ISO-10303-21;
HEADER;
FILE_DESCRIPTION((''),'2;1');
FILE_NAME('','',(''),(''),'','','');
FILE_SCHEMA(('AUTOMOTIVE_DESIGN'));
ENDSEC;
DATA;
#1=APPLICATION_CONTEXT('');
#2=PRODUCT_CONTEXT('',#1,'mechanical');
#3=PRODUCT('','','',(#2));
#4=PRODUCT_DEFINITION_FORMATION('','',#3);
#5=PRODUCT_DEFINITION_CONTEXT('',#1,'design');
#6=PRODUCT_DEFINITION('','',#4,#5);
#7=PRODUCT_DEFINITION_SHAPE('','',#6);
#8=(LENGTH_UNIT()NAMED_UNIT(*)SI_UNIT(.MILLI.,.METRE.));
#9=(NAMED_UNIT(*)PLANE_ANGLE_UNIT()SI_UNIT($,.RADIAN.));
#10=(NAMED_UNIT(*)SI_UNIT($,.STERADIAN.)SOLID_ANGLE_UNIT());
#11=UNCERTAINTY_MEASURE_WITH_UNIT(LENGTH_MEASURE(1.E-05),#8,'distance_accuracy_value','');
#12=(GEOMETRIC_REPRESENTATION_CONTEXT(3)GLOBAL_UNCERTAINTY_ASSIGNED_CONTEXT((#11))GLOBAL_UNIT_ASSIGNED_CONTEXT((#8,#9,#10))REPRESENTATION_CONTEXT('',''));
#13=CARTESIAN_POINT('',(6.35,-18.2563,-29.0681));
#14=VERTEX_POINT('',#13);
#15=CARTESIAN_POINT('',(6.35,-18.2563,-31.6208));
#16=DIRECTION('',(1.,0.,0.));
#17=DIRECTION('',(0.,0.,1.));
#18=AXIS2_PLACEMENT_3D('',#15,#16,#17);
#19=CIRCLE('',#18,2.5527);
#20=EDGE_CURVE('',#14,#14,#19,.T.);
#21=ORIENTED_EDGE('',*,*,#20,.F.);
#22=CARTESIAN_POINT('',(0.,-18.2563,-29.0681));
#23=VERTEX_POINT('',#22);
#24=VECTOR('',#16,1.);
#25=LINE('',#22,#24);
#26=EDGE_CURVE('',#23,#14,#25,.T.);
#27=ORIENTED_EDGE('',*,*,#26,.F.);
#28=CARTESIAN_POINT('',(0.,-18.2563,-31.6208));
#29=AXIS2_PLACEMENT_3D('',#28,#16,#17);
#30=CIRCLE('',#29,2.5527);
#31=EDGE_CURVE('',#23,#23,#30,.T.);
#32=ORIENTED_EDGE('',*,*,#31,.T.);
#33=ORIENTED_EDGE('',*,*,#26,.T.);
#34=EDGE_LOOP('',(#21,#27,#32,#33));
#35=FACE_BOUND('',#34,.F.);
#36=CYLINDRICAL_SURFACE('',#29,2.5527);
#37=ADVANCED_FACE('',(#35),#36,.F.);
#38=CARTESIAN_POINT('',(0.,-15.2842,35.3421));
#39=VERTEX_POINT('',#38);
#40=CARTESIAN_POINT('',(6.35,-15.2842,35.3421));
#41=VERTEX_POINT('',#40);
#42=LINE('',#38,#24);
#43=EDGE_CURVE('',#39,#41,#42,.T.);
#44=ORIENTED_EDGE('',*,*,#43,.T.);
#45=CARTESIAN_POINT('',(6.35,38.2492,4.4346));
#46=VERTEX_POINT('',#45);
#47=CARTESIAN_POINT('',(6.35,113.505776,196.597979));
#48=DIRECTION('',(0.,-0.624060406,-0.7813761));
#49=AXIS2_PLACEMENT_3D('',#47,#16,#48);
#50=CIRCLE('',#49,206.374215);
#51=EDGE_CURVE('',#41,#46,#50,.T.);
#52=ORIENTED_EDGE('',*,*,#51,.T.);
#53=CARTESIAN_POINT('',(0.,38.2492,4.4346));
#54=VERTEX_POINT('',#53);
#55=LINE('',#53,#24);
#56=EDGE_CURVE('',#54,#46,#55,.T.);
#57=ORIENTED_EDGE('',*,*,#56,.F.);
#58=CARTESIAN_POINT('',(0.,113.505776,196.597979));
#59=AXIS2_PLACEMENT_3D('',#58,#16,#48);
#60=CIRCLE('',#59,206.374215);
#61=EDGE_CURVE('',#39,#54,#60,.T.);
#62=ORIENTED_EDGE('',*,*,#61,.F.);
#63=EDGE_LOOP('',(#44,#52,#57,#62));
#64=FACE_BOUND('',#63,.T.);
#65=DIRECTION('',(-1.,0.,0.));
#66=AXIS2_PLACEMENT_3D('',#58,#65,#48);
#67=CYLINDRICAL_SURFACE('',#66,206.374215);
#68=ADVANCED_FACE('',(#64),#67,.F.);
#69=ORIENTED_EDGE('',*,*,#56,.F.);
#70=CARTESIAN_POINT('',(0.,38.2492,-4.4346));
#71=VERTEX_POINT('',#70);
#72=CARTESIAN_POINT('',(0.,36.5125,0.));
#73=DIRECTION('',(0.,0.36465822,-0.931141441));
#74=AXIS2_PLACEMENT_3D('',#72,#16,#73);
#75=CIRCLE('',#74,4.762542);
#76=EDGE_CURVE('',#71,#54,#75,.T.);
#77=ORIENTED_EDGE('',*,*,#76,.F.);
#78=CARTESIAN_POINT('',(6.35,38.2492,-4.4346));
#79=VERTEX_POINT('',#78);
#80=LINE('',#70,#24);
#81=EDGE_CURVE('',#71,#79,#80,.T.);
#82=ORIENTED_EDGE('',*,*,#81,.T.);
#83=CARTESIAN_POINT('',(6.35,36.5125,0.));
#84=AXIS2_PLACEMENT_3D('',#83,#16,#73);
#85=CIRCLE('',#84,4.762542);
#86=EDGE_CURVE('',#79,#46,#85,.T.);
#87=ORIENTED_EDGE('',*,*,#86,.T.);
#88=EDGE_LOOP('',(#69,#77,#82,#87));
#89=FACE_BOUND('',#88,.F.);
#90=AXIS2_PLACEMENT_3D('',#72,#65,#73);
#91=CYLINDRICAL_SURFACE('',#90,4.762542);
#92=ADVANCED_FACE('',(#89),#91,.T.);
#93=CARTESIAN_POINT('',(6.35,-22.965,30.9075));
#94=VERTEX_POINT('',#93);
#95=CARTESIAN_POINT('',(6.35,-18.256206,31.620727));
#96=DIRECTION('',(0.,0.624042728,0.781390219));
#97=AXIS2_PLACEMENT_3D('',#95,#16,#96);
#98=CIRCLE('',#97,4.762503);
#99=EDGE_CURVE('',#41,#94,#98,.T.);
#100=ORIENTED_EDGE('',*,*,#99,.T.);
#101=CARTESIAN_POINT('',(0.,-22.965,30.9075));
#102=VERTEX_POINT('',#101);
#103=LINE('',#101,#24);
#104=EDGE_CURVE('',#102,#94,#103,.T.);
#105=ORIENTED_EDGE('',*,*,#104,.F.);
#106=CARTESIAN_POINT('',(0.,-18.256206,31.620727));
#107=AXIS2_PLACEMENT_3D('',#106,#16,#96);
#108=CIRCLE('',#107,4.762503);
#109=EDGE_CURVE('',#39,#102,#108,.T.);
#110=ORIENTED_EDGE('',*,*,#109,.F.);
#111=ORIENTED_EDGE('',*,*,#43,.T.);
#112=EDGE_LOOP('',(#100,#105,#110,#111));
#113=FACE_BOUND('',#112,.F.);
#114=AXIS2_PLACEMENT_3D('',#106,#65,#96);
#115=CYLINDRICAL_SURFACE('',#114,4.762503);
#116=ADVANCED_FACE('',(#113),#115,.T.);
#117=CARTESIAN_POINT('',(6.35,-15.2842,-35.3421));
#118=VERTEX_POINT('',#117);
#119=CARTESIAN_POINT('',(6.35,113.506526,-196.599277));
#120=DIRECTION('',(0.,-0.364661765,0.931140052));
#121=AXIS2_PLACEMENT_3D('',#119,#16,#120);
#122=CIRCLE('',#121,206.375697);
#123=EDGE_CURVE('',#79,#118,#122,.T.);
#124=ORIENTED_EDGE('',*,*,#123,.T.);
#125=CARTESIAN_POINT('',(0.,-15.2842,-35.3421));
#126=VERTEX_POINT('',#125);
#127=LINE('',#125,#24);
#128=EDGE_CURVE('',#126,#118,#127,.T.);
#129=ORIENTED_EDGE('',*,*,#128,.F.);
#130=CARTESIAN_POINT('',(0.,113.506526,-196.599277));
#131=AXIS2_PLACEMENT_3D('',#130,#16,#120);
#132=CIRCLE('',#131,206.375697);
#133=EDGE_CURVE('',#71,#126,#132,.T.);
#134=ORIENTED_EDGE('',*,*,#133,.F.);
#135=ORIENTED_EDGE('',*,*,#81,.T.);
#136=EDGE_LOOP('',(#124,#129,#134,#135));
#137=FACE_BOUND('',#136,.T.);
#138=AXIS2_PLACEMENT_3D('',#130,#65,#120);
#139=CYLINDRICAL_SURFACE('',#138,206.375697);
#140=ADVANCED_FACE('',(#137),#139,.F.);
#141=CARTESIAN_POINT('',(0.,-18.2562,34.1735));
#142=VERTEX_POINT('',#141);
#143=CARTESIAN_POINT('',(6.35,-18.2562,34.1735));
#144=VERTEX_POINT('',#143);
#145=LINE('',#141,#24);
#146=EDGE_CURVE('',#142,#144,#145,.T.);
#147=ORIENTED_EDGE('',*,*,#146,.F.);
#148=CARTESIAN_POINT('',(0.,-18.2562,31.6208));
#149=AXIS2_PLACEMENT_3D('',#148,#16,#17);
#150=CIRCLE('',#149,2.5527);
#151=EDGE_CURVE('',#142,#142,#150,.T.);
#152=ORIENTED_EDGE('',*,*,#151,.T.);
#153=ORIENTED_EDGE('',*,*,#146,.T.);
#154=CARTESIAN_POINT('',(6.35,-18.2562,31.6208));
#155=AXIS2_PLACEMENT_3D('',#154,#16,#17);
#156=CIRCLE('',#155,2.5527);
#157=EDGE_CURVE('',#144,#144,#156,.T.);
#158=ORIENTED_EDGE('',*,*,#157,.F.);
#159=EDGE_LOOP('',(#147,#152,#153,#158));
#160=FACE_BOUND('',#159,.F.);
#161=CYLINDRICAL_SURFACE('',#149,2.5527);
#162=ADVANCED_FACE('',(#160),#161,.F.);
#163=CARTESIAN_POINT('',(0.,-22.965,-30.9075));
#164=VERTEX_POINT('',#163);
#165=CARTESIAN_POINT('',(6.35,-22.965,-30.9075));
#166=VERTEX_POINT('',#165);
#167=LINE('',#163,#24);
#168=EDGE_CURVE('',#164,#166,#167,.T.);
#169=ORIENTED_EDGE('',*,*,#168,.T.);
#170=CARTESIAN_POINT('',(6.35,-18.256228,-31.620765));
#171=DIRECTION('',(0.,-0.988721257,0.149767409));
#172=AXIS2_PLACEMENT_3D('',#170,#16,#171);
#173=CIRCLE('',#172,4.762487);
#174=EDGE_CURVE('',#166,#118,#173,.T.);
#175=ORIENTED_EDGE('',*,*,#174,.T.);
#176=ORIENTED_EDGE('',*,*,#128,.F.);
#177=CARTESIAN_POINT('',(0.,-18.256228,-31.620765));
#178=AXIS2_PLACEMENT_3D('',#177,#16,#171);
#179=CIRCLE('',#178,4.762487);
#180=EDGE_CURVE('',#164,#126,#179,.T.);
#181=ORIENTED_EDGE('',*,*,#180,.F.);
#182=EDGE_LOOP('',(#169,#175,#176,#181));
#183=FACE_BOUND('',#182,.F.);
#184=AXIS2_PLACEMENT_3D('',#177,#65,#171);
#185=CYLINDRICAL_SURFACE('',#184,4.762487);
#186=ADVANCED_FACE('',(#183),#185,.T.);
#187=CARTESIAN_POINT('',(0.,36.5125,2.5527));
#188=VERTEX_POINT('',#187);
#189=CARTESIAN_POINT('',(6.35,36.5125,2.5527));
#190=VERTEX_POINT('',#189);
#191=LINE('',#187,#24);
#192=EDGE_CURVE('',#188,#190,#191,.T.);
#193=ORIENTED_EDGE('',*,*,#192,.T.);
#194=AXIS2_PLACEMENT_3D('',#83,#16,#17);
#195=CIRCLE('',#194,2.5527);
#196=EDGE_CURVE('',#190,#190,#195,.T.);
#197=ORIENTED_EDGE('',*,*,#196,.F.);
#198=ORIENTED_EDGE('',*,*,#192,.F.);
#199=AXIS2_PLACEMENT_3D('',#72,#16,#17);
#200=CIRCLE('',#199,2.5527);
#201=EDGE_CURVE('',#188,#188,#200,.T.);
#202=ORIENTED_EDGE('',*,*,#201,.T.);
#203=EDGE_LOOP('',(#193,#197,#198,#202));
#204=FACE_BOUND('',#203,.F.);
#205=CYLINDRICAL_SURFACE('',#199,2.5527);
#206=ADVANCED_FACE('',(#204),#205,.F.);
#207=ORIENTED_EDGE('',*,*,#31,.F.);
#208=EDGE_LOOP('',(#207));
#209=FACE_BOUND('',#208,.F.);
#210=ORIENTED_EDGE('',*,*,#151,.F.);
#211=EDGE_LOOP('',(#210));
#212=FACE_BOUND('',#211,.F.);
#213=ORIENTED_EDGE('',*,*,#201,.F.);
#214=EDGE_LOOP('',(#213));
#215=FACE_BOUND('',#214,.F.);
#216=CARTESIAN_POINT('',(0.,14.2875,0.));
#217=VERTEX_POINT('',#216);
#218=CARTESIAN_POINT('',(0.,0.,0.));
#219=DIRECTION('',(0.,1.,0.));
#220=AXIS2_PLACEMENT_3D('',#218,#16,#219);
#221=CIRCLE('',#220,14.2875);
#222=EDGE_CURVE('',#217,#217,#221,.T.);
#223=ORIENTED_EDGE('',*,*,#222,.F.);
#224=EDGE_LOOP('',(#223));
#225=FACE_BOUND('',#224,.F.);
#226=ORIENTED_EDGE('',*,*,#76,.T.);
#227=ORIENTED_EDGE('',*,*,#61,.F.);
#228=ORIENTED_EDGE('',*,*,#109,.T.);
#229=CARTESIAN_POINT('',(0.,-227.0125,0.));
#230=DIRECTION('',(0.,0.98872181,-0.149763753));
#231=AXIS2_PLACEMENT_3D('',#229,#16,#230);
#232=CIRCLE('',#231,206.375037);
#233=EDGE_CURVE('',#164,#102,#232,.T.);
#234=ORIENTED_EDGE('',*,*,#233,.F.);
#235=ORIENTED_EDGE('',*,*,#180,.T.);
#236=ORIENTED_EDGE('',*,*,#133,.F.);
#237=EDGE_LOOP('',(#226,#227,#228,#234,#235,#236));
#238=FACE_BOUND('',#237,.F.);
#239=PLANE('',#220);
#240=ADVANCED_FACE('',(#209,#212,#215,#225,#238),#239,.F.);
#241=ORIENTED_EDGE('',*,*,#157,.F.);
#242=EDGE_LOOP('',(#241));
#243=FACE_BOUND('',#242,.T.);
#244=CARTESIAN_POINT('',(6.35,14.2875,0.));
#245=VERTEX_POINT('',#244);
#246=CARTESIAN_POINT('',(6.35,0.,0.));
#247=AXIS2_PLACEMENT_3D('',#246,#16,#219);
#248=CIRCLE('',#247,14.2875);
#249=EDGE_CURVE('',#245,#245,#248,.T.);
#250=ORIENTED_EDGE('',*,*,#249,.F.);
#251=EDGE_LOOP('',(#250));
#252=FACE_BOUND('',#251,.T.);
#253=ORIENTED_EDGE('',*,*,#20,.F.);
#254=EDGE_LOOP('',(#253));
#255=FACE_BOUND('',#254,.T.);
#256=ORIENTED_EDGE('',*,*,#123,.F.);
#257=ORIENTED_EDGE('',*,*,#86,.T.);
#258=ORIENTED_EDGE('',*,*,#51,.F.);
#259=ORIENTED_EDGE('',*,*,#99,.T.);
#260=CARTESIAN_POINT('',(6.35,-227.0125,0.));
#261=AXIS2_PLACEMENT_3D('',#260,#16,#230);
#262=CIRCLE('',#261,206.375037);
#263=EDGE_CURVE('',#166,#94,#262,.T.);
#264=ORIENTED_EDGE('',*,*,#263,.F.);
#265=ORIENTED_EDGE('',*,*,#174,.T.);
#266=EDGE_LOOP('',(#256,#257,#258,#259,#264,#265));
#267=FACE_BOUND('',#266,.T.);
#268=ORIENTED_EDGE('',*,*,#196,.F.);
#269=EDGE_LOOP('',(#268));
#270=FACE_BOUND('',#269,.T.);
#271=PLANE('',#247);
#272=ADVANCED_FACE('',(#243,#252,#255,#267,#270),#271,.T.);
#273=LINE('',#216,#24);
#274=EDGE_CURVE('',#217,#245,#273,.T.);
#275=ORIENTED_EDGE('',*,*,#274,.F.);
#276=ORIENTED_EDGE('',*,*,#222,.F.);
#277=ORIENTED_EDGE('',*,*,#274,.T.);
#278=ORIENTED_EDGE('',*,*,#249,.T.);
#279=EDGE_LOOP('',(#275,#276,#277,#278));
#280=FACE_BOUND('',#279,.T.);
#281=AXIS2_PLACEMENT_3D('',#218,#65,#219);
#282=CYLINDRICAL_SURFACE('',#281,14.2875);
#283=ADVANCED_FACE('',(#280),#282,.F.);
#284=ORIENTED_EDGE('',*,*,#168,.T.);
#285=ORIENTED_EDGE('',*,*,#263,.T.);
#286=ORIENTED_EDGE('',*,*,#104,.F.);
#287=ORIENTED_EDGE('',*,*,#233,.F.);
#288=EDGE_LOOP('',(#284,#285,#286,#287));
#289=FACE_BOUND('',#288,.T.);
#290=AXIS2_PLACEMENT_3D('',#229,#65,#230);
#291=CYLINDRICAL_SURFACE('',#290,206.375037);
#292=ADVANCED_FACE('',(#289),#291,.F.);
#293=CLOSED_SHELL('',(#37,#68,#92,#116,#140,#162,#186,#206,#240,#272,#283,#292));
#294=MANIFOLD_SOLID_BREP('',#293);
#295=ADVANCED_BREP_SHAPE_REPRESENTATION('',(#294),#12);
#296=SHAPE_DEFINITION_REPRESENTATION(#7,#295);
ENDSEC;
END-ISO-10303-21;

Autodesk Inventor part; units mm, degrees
ref_plane "YZ Plane" through (0, 0, 0) normal (1, 0, 0) x (0, 1, 0)
ref_plane "XZ Plane" through (0, 0, 0) normal (0, 1, 0) x (-1, 0, 0)
ref_plane "XY Plane" through (0, 0, 0) normal (0, 0, 1) x (1, 0, 0)
sketch "Sketch1" plane through (0, 0, 0) normal (1, 0, 0) x (0, 1, 0)
  circle A0 centre (0, 0) radius 31.75 construction
  circle A1 centre (36.5125, 0) radius 4.7625 construction
  circle A2 centre (-18.2562, 31.6208) radius 4.7625 construction
  circle A3 centre (-18.2563, -31.6208) radius 4.7625 construction
  circle A4 centre (0, 0) radius 14.2875
  circle A5 centre (0, 0) radius 20.6375 construction
  arc A6 (-15.2842, 35.3421) -> (38.2492, 4.4346) centre (113.5062, 196.5986) ccw
  arc A7 (38.2492, -4.4346) -> (-15.2842, -35.3421) centre (113.5062, -196.5986) ccw
  arc A8 (-22.965, -30.9075) -> (-22.965, 30.9075) centre (-227.0125, 0) ccw
  arc A9 (38.2492, -4.4346) -> (38.2492, 4.4346) centre (36.5125, 0) ccw
  arc A10 (-22.965, -30.9075) -> (-15.2842, -35.3421) centre (-18.2563, -31.6208) ccw
  arc A11 (-15.2842, 35.3421) -> (-22.965, 30.9075) centre (-18.2562, 31.6208) ccw
  dimension "d0" = 63.5
  dimension "d1" = 9.525
  dimension "d4" = 360
  dimension "d6" = 28.575
  dimension "d7" = 6.35
extrude "Extrusion1" add sketch "Sketch1" along normal blind 6.35
hole "Hole1" at (0, 36.5125, 0) at (0, -18.2562, 31.6208) at (0, -18.2563, -31.6208) direction (1, 0, 0) diameter 5.1054 end through all clearance for "Flat Head Machine Screw (82)" size "#10" standard "Ansi Unified Screw Threads"
properties part number "AR-004" material "Aluminum 6061"
